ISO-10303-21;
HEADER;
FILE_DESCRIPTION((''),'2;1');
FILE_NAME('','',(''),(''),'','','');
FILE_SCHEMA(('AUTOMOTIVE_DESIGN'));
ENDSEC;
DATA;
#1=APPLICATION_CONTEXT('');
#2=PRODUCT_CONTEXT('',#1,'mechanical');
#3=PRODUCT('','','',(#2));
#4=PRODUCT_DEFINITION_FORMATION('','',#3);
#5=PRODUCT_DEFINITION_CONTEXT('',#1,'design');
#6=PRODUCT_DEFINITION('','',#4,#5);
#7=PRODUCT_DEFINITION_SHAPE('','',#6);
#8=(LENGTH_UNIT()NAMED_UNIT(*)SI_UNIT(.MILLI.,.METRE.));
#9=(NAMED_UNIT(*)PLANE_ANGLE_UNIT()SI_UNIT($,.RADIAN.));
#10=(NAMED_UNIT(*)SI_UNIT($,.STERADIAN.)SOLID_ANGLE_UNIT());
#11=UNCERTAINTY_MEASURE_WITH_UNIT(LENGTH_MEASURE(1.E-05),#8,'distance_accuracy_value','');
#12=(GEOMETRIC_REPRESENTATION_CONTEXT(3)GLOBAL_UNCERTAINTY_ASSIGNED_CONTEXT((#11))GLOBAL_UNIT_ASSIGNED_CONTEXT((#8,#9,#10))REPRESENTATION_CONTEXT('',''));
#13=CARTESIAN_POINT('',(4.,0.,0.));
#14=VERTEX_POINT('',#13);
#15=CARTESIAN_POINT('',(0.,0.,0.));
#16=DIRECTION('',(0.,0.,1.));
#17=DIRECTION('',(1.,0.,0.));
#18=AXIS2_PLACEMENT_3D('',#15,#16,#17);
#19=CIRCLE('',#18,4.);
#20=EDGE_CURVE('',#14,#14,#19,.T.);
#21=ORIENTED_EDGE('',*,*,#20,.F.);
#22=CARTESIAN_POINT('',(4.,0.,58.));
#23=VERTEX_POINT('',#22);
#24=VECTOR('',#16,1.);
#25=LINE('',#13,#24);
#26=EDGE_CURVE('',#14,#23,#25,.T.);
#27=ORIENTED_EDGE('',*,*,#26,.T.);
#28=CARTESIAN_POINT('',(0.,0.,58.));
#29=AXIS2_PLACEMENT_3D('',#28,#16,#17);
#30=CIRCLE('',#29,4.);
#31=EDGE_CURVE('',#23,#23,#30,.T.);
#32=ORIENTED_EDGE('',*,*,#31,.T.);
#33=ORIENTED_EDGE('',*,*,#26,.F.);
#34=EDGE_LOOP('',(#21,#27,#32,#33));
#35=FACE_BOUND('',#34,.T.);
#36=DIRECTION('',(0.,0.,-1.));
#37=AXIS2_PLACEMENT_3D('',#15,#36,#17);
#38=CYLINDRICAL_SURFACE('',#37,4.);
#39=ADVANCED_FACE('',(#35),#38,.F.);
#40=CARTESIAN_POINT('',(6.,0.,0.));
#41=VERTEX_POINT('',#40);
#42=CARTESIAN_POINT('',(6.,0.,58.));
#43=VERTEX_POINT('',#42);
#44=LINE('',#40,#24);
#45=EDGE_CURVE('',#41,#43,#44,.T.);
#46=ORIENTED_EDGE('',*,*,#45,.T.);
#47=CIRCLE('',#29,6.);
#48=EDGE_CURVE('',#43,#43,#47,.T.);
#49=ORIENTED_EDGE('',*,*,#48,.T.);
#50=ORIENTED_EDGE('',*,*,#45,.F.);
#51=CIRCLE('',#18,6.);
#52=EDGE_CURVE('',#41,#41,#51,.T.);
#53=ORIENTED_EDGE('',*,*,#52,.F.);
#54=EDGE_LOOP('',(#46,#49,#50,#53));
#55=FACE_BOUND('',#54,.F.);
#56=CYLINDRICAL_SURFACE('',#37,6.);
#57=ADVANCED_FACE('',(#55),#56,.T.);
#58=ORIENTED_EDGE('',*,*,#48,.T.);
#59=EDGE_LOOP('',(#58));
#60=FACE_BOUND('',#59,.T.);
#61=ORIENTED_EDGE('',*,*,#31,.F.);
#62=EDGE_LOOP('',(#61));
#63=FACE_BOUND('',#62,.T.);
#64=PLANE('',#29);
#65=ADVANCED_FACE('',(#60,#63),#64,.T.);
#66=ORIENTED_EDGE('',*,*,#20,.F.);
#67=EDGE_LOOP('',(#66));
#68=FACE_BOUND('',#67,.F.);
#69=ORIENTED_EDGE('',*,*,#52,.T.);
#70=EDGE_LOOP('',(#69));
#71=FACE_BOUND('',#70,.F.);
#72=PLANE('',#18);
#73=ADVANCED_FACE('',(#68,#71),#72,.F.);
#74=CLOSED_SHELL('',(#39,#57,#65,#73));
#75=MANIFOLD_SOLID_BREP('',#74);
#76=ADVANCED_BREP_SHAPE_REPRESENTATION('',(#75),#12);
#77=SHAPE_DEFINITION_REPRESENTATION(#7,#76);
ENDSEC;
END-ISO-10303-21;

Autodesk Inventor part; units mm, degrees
ref_plane "YZ Plane" through (0, 0, 0) normal (1, 0, 0) x (0, 1, 0)
ref_plane "XZ Plane" through (0, 0, 0) normal (0, 1, 0) x (-1, 0, 0)
ref_plane "XY Plane" through (0, 0, 0) normal (0, 0, 1) x (1, 0, 0)
sketch "Sketch1" plane through (0, 0, 0) normal (0, 0, 1) x (1, 0, 0)
  circle A0 centre (0, 0) radius 4
  circle A1 centre (0, 0) radius 6
  dimension "d0" = 8
  dimension "d1" = 2
extrude "Extrusion1" add sketch "Sketch1" along normal blind 58
properties part number "Sleeve"
